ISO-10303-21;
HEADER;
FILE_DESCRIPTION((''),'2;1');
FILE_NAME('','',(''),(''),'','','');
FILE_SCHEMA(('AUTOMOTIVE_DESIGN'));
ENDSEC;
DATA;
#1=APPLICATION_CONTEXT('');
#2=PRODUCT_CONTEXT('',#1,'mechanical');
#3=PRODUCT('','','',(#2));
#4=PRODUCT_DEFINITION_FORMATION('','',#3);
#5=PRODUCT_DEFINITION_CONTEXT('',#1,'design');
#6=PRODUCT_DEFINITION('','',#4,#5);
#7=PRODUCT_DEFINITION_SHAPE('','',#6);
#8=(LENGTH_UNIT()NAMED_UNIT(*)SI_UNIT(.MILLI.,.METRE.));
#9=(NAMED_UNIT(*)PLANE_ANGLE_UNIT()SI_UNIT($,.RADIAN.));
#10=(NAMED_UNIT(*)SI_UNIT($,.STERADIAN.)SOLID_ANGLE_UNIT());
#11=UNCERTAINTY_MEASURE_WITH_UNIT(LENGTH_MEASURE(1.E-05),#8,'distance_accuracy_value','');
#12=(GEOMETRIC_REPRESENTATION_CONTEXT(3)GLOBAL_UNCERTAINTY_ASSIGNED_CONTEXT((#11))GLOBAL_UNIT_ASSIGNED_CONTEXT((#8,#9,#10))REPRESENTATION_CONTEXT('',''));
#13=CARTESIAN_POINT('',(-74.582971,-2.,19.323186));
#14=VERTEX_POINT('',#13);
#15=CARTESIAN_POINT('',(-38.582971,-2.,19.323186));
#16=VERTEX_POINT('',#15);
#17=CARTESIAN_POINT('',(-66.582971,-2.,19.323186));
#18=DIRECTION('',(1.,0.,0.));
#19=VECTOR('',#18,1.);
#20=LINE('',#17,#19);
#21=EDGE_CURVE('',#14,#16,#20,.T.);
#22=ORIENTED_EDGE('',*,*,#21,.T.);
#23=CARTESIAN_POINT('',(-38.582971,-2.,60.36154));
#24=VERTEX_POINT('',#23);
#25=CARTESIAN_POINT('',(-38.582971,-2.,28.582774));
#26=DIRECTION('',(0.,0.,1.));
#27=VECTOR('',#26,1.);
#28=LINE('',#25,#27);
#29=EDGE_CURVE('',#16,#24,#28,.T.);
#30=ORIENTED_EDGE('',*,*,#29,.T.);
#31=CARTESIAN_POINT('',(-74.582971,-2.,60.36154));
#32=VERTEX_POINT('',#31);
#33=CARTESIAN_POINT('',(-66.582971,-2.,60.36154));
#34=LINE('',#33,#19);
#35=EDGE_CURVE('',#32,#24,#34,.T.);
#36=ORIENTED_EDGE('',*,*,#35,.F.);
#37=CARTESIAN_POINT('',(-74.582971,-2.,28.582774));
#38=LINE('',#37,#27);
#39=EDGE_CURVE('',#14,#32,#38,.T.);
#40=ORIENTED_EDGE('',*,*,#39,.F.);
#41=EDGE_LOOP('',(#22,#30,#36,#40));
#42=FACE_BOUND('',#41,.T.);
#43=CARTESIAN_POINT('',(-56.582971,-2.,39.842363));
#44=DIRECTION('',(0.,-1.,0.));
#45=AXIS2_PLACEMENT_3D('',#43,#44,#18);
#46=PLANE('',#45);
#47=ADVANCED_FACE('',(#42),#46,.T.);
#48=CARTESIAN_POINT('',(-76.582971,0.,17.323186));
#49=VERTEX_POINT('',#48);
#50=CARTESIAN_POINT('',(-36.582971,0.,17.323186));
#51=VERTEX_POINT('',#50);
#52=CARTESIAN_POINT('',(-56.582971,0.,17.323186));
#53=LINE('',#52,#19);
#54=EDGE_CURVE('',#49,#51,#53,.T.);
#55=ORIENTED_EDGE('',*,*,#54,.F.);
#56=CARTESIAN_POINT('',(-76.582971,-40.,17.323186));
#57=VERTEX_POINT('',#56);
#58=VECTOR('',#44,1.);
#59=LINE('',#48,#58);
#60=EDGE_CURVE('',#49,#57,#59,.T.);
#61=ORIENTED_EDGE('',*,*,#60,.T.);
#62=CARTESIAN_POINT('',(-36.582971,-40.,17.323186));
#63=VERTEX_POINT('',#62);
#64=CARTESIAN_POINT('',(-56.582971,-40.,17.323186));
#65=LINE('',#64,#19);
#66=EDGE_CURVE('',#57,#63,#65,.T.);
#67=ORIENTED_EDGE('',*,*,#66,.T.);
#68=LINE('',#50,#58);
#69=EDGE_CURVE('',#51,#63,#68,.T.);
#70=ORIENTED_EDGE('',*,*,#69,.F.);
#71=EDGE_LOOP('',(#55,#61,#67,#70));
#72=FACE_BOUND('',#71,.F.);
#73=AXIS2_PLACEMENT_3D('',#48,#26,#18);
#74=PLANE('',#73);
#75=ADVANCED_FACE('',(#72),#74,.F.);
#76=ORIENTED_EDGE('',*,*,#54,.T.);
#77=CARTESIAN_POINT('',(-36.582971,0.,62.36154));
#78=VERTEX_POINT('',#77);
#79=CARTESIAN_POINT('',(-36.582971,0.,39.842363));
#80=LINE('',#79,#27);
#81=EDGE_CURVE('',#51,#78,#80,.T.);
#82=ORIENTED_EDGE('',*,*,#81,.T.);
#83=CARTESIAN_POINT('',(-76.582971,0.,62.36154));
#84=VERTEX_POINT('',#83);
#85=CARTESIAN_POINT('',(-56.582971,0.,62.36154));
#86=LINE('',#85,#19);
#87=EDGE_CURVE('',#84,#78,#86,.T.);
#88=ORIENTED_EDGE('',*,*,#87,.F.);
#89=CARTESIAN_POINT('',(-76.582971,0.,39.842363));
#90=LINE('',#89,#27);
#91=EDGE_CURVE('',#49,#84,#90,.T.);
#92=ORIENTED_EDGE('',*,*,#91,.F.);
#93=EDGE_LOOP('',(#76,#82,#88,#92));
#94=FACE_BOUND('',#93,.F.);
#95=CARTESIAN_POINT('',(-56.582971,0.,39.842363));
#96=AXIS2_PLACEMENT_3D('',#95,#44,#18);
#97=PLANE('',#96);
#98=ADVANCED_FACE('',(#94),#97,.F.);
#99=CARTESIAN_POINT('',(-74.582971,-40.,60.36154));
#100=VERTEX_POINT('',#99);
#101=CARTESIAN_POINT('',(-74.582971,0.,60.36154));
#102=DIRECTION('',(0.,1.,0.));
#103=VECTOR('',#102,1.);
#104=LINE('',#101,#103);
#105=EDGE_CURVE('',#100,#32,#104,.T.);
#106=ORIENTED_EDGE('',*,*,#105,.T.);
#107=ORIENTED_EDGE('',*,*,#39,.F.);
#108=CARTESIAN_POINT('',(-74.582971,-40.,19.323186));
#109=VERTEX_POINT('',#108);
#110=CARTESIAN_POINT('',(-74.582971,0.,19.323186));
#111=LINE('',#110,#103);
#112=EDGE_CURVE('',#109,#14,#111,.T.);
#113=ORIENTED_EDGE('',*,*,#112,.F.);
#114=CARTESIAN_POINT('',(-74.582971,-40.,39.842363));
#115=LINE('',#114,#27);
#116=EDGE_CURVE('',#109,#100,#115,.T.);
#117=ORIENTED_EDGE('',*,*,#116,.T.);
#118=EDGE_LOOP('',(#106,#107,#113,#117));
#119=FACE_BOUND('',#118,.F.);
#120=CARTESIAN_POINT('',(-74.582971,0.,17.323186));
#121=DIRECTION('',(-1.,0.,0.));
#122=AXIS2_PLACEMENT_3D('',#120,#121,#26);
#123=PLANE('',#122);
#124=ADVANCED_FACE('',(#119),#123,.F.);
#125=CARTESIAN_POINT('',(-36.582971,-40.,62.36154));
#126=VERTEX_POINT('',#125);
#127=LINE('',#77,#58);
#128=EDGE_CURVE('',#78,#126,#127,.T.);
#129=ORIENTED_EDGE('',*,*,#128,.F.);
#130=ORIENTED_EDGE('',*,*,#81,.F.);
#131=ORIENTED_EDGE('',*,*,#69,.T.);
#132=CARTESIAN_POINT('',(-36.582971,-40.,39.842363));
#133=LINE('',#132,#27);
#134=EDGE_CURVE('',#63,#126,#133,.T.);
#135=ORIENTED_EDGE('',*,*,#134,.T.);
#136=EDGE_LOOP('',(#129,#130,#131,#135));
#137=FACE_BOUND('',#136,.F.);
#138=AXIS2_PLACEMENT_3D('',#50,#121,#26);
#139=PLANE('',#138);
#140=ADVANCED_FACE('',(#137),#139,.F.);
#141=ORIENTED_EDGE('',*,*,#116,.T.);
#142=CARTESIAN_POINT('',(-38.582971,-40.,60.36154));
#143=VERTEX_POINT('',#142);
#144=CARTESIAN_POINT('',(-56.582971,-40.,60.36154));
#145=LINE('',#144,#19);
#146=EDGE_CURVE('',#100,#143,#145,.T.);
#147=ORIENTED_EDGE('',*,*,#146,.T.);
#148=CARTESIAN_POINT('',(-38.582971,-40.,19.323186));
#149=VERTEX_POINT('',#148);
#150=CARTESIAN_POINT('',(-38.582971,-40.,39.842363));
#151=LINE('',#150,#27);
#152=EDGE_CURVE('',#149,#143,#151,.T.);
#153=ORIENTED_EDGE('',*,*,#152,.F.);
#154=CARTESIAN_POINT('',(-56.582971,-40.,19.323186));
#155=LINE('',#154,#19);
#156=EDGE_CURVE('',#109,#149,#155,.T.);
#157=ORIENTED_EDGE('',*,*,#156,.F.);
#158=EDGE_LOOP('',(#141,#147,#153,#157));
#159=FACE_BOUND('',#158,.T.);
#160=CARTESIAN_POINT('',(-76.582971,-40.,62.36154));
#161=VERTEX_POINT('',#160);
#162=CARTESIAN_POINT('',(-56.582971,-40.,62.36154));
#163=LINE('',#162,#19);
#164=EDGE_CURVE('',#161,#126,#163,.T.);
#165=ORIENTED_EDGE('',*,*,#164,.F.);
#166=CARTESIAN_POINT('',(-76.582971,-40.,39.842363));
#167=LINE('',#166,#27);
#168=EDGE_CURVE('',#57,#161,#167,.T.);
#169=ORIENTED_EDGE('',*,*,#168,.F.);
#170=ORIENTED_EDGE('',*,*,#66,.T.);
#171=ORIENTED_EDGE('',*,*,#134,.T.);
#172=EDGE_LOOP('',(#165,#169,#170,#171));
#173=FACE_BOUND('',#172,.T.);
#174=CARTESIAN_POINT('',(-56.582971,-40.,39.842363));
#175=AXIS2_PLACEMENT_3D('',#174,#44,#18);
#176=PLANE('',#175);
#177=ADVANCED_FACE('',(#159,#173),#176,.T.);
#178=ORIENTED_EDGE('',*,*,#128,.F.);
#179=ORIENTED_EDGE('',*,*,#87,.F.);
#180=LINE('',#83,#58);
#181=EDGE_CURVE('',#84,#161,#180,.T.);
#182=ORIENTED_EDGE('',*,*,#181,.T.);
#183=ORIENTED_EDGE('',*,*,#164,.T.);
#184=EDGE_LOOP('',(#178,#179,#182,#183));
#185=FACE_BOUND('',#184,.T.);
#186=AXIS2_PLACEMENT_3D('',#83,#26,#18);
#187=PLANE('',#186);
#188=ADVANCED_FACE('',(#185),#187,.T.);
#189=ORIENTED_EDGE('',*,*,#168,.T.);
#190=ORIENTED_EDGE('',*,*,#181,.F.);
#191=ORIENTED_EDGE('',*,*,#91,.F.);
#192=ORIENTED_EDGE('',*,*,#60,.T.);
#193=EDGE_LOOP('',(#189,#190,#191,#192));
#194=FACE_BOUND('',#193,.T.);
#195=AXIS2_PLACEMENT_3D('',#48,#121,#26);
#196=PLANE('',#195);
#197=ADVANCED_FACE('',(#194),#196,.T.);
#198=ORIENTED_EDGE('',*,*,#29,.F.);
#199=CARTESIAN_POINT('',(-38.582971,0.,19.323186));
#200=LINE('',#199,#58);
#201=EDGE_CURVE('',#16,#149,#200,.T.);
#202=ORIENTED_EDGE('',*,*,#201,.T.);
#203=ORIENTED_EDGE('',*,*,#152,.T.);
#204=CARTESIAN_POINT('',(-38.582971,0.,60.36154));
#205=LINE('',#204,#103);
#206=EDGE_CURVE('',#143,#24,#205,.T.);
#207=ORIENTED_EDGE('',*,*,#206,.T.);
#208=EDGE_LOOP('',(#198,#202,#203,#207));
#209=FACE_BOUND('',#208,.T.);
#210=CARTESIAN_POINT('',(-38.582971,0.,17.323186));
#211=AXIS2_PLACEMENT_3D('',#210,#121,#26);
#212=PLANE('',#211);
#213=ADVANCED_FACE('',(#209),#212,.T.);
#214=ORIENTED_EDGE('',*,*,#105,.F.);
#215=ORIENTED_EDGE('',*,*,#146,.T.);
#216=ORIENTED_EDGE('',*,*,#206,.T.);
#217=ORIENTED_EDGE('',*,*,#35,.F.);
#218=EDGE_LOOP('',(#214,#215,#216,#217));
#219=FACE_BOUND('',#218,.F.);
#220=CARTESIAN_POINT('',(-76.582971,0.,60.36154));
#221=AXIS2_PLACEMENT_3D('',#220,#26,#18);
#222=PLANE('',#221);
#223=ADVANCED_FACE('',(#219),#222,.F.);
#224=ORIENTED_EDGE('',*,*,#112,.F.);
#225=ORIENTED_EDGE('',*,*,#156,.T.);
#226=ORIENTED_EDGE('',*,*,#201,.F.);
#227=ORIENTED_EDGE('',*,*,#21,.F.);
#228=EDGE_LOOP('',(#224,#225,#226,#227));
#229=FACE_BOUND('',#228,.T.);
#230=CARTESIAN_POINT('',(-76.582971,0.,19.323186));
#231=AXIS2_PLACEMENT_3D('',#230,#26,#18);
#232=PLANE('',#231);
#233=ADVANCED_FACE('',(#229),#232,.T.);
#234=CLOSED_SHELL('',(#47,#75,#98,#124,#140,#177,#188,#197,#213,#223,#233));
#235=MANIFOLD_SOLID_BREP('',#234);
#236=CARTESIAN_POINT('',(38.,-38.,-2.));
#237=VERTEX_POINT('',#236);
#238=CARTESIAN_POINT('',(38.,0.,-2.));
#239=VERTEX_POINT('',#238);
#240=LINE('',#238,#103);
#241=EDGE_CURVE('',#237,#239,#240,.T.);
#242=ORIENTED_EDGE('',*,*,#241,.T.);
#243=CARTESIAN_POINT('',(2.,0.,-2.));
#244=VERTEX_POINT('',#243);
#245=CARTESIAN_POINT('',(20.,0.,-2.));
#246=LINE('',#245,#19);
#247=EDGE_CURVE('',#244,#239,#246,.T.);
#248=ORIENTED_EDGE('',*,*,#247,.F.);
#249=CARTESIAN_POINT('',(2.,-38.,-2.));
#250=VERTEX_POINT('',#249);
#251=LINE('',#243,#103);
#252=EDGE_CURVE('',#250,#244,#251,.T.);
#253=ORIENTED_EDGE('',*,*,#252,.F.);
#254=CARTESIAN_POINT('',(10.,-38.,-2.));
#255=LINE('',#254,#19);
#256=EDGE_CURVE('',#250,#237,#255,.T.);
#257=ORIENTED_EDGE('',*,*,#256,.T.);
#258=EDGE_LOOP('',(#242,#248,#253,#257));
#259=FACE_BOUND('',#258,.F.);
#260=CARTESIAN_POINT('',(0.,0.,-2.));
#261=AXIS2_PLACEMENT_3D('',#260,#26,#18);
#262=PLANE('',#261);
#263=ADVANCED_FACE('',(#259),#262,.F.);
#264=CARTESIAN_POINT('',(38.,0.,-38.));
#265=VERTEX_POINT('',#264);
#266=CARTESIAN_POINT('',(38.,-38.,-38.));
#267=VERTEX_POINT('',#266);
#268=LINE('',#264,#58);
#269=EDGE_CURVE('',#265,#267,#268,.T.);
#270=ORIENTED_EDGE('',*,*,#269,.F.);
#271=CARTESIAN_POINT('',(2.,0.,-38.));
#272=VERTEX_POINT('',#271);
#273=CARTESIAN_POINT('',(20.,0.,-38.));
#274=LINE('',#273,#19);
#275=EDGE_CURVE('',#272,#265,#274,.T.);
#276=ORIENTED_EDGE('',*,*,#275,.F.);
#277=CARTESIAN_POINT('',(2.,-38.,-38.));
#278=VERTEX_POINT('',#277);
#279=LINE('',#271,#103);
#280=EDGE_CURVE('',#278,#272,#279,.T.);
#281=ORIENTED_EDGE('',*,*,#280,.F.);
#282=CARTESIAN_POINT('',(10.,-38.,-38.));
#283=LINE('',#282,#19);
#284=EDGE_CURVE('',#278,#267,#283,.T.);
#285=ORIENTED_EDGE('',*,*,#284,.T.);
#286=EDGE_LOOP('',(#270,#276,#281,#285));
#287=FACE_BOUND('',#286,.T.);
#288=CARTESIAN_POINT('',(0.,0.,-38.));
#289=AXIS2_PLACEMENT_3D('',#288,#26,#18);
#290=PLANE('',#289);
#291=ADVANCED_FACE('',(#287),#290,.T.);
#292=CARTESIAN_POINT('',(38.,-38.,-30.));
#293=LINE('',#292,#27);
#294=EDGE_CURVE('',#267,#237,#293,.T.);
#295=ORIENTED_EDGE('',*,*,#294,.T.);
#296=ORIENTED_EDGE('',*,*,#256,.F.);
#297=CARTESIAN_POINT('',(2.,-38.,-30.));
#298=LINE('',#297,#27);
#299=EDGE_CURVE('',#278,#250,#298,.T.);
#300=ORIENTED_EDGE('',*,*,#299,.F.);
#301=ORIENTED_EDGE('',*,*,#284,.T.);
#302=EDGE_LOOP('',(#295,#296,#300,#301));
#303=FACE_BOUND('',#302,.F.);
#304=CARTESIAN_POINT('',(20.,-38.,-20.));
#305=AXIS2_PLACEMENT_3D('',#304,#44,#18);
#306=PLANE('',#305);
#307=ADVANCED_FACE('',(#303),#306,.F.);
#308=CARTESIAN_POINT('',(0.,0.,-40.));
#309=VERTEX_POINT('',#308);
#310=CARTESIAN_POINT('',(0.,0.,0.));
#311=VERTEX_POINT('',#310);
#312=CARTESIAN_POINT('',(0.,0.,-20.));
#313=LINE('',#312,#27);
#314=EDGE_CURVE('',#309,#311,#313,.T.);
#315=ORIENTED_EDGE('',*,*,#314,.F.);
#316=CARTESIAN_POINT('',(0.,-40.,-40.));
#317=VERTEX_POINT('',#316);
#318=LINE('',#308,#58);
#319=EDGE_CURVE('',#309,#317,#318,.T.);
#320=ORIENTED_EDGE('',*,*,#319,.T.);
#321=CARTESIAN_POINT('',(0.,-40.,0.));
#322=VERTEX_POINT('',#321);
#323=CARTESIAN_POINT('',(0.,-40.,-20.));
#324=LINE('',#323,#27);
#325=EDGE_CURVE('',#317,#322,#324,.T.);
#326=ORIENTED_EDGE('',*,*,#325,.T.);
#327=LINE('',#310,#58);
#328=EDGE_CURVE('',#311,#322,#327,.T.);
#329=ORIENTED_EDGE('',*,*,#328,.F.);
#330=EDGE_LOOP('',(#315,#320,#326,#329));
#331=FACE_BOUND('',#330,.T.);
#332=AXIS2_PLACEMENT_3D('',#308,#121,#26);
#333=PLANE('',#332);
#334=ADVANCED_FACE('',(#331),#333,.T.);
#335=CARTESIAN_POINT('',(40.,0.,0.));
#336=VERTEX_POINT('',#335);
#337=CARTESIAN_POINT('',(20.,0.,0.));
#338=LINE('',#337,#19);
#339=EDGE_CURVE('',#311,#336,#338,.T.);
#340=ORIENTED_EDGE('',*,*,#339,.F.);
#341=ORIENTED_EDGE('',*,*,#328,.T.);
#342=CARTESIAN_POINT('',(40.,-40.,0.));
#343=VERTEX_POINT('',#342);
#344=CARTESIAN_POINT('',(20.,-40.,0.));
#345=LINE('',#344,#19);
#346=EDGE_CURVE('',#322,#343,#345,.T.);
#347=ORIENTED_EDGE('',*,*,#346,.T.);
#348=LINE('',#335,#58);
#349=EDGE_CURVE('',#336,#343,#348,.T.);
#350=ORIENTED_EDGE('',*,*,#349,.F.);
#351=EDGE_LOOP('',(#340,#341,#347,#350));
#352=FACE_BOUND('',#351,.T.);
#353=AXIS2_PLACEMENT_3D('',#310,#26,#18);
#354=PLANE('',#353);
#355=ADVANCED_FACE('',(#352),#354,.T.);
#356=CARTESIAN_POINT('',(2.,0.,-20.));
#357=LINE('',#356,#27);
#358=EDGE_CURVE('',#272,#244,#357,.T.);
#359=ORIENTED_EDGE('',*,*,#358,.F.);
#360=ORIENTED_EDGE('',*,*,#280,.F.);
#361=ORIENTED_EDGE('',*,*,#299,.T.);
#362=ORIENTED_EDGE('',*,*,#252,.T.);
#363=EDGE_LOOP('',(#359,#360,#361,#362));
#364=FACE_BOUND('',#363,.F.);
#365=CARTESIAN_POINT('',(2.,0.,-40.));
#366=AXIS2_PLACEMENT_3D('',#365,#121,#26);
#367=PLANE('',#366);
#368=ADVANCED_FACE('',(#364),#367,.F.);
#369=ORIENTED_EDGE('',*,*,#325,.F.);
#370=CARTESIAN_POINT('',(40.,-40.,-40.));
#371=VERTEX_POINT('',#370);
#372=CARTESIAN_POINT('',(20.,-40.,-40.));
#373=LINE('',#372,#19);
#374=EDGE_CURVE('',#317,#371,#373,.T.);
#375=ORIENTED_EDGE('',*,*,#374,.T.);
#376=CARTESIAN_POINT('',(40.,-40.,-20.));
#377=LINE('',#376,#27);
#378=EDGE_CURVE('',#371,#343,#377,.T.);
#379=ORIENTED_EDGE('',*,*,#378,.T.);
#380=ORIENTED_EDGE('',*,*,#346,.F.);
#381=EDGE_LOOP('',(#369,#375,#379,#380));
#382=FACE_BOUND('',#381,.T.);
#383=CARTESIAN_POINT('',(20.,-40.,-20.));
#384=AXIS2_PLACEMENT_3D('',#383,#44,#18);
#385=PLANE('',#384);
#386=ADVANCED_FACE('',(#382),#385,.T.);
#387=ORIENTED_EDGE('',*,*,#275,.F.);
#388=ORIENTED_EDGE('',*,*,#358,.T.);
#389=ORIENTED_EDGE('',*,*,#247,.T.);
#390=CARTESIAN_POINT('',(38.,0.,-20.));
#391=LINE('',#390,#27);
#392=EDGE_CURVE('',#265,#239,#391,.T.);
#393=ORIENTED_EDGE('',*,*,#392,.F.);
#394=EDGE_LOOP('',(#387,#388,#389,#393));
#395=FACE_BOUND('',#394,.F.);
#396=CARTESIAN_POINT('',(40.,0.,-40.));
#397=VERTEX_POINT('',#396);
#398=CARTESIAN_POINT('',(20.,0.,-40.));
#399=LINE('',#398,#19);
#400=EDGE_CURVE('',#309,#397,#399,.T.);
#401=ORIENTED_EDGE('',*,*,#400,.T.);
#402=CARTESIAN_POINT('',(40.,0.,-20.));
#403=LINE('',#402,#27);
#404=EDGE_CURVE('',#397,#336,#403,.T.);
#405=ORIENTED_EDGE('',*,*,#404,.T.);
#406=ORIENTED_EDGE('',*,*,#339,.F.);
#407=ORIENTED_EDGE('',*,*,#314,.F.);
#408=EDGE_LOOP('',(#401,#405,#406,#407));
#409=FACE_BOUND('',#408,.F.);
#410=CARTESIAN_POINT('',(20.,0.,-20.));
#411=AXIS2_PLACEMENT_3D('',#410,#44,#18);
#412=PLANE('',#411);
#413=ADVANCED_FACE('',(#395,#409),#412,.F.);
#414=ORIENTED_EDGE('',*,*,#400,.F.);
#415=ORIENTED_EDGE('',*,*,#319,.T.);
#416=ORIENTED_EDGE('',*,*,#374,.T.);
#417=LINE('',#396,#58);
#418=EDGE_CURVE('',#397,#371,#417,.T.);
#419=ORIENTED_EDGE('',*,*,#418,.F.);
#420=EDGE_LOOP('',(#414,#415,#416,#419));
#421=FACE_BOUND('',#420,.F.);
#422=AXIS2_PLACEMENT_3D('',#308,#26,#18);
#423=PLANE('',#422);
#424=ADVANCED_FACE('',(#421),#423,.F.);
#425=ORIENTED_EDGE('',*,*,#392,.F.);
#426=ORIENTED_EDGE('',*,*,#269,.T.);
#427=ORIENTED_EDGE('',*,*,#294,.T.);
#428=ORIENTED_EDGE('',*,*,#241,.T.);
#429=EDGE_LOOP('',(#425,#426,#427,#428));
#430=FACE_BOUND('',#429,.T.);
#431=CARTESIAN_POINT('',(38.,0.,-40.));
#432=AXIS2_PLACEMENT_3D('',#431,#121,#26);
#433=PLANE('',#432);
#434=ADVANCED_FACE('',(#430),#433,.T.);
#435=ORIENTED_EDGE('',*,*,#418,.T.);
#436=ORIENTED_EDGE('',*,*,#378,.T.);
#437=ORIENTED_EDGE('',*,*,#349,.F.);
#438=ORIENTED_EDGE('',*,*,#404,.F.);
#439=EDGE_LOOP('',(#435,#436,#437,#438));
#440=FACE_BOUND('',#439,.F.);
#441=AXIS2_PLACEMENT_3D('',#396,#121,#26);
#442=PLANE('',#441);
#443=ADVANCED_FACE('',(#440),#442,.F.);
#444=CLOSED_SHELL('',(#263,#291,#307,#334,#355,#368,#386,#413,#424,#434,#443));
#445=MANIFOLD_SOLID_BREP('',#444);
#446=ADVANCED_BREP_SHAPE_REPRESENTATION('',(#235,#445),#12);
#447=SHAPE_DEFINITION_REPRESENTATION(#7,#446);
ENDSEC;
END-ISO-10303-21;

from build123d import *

# Parameters (mm, degrees)
F0_W     = 40
F0_H     = 45.038354
F1_DEPTH = 40
F2_T     = -2
F4_W     = 40
F4_H     = 40
F5_DEPTH = 40
F6_T     = -2


with BuildPart() as f1:
    # F0 (on Front) → F1 (new body)
    with BuildSketch(Plane.XZ):
        with Locations((-56.582971, 39.842363)):
            Rectangle(F0_W, F0_H)
    extrude(amount=F1_DEPTH)

    # F2
    f2_openings = [f1.faces().sort_by_distance(p)[0] for p in [
        (-56.582971, -40, 39.842363),
    ]]
    offset(amount=F2_T, openings=f2_openings)


with BuildPart() as f5:
    # F4 (on Front) → F5 (new body)
    with BuildSketch(Plane.XZ):
        with Locations((20, -20)):
            Rectangle(F4_W, F4_H)
    extrude(amount=F5_DEPTH)

    # F6
    f6_openings = [f5.faces().sort_by_distance(p)[0] for p in [
        (20, 0, -20),
    ]]
    offset(amount=F6_T, openings=f6_openings)


solid = Compound([f1.part, f5.part])
